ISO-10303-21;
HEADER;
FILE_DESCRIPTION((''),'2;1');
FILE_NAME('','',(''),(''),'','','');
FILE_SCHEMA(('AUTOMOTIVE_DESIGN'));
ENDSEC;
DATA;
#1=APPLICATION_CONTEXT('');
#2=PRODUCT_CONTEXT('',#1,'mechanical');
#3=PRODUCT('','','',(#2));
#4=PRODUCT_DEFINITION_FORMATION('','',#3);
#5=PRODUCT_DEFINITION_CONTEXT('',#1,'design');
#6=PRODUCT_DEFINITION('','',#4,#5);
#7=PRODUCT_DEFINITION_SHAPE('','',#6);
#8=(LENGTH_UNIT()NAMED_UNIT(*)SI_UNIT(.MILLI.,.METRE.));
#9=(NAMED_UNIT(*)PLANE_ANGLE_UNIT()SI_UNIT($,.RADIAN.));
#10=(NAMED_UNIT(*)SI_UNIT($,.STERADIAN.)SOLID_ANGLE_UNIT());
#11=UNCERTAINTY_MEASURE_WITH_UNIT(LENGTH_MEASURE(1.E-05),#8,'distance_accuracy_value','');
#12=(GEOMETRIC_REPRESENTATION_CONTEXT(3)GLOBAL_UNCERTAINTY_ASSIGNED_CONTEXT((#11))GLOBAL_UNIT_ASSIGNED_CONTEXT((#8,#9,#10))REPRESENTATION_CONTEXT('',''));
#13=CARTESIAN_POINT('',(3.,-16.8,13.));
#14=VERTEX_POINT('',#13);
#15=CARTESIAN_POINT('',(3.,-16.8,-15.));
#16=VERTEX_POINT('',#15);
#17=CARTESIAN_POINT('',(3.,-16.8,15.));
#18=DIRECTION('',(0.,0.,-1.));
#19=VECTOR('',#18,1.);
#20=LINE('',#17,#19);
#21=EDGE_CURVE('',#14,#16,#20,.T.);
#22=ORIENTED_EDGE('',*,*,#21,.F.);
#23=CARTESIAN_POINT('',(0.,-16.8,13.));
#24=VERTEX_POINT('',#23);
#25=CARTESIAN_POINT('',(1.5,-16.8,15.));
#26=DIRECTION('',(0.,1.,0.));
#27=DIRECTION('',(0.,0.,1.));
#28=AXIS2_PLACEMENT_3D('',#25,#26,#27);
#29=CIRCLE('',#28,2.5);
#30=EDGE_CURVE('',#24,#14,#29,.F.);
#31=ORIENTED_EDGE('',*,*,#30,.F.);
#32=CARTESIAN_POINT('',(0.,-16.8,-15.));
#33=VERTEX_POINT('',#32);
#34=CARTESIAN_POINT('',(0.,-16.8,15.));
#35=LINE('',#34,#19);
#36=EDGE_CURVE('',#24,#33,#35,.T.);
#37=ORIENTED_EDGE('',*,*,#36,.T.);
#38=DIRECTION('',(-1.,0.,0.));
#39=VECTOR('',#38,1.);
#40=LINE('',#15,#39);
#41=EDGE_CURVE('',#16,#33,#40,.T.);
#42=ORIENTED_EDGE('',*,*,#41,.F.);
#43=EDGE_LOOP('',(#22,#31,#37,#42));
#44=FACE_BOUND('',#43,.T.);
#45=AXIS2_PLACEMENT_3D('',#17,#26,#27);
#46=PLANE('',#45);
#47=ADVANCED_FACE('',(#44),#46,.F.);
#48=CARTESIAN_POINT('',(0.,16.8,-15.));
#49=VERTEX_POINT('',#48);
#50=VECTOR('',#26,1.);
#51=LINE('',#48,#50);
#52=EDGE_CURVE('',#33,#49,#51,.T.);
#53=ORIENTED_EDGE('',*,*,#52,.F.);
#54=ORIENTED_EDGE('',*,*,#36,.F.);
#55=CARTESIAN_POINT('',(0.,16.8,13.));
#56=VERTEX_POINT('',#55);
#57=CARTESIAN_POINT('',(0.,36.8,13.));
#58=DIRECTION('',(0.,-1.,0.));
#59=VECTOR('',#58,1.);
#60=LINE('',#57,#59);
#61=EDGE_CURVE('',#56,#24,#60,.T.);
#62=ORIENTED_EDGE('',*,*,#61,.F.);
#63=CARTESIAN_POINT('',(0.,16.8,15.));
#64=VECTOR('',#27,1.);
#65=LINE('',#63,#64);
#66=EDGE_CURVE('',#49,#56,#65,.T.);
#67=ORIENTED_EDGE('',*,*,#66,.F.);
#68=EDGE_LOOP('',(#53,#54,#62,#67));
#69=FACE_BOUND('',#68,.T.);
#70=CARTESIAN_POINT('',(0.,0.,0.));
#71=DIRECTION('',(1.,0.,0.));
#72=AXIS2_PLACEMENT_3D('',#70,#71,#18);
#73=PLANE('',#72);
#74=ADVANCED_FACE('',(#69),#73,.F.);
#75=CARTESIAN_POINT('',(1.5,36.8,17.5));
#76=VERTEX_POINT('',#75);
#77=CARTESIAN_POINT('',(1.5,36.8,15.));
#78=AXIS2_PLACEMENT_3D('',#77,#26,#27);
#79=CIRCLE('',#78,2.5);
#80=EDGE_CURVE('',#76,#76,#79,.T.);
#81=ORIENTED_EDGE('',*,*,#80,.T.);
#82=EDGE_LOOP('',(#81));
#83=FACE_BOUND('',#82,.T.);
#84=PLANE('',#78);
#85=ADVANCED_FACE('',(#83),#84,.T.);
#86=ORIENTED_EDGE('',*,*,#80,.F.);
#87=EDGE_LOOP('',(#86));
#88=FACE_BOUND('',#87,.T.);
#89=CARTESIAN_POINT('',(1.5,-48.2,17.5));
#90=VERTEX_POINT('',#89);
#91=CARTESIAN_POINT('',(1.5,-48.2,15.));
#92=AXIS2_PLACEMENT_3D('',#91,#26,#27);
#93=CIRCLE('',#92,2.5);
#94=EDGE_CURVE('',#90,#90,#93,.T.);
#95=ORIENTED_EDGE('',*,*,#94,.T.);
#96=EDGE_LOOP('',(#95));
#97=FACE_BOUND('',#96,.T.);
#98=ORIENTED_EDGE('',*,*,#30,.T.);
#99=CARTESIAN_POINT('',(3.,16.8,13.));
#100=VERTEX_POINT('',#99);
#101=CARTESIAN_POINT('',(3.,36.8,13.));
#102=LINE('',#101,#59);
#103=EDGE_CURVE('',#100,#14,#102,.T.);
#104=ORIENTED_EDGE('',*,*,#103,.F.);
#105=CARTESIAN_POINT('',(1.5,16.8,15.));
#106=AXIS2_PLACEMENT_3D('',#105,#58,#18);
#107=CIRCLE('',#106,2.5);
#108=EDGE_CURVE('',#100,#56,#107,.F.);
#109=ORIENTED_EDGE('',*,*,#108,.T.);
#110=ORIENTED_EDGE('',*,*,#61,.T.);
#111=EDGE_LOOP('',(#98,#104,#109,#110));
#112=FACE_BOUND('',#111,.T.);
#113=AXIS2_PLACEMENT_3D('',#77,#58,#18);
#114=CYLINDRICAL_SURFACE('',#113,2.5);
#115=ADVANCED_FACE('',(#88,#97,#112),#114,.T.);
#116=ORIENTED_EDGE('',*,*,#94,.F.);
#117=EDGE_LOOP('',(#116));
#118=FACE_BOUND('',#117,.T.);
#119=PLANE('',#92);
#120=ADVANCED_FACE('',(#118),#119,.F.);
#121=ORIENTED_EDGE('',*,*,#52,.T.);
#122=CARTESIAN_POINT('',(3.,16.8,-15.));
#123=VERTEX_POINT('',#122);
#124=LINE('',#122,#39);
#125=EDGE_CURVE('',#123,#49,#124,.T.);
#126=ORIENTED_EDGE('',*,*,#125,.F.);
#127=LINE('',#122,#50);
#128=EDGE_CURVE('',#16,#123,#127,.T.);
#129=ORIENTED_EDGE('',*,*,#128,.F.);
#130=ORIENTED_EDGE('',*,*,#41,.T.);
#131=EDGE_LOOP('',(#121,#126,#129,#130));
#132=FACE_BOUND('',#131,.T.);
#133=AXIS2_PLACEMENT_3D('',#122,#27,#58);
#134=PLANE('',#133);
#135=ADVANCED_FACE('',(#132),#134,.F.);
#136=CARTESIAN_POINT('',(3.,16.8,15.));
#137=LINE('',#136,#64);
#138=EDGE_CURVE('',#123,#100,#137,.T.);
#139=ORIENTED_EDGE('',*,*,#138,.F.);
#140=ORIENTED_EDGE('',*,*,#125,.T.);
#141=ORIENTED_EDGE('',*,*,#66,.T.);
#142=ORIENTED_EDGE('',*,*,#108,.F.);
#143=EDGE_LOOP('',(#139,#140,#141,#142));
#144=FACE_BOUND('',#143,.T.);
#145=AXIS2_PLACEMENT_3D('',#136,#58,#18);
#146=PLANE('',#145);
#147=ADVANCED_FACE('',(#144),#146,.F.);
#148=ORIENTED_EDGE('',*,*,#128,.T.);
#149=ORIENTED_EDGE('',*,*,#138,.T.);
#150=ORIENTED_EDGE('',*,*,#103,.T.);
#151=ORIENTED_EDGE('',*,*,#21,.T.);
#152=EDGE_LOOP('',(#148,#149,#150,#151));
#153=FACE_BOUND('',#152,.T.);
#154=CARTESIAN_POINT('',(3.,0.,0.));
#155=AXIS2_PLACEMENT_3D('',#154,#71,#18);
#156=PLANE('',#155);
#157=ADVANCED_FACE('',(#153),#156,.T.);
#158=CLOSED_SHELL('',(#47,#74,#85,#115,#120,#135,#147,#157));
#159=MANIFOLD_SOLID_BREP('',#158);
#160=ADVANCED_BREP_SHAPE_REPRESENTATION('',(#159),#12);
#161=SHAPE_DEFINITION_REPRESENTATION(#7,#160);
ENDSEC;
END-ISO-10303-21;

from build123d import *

# Parameters (mm, degrees)
CROQUIS1_W                   = 30
CROQUIS1_H                   = 33.6
SALIENTE_EXTRUIR1_DEPTH      = 3
SALIENTE_EXTRUIR2_DEPTH      = 20
SALIENTE_EXTRUIR2_DEPTH_BACK = 65
CROQUIS2_R                   = 2.5


with BuildPart() as part:
    # Croquis1 → Saliente-Extruir1 (new body)
    with BuildSketch(Plane(origin=(0, 0, 0), x_dir=(0, 0, -1), z_dir=(1, 0, 0))):
        Rectangle(CROQUIS1_W, CROQUIS1_H)
    extrude(amount=SALIENTE_EXTRUIR1_DEPTH)

    # Croquis2 → Saliente-Extruir2 (add, two sides: drawn at the far end of the back side and taken through both)
    with BuildSketch(Plane(origin=(0, 16.8, 0), x_dir=(1, 0, 0), z_dir=(0, 1, 0)).offset(-SALIENTE_EXTRUIR2_DEPTH_BACK)):
        with Locations(Location((1.5, -15, 0), (0, 0, 270))):
            Circle(CROQUIS2_R)
    extrude(amount=SALIENTE_EXTRUIR2_DEPTH + SALIENTE_EXTRUIR2_DEPTH_BACK)


solid = part.part
